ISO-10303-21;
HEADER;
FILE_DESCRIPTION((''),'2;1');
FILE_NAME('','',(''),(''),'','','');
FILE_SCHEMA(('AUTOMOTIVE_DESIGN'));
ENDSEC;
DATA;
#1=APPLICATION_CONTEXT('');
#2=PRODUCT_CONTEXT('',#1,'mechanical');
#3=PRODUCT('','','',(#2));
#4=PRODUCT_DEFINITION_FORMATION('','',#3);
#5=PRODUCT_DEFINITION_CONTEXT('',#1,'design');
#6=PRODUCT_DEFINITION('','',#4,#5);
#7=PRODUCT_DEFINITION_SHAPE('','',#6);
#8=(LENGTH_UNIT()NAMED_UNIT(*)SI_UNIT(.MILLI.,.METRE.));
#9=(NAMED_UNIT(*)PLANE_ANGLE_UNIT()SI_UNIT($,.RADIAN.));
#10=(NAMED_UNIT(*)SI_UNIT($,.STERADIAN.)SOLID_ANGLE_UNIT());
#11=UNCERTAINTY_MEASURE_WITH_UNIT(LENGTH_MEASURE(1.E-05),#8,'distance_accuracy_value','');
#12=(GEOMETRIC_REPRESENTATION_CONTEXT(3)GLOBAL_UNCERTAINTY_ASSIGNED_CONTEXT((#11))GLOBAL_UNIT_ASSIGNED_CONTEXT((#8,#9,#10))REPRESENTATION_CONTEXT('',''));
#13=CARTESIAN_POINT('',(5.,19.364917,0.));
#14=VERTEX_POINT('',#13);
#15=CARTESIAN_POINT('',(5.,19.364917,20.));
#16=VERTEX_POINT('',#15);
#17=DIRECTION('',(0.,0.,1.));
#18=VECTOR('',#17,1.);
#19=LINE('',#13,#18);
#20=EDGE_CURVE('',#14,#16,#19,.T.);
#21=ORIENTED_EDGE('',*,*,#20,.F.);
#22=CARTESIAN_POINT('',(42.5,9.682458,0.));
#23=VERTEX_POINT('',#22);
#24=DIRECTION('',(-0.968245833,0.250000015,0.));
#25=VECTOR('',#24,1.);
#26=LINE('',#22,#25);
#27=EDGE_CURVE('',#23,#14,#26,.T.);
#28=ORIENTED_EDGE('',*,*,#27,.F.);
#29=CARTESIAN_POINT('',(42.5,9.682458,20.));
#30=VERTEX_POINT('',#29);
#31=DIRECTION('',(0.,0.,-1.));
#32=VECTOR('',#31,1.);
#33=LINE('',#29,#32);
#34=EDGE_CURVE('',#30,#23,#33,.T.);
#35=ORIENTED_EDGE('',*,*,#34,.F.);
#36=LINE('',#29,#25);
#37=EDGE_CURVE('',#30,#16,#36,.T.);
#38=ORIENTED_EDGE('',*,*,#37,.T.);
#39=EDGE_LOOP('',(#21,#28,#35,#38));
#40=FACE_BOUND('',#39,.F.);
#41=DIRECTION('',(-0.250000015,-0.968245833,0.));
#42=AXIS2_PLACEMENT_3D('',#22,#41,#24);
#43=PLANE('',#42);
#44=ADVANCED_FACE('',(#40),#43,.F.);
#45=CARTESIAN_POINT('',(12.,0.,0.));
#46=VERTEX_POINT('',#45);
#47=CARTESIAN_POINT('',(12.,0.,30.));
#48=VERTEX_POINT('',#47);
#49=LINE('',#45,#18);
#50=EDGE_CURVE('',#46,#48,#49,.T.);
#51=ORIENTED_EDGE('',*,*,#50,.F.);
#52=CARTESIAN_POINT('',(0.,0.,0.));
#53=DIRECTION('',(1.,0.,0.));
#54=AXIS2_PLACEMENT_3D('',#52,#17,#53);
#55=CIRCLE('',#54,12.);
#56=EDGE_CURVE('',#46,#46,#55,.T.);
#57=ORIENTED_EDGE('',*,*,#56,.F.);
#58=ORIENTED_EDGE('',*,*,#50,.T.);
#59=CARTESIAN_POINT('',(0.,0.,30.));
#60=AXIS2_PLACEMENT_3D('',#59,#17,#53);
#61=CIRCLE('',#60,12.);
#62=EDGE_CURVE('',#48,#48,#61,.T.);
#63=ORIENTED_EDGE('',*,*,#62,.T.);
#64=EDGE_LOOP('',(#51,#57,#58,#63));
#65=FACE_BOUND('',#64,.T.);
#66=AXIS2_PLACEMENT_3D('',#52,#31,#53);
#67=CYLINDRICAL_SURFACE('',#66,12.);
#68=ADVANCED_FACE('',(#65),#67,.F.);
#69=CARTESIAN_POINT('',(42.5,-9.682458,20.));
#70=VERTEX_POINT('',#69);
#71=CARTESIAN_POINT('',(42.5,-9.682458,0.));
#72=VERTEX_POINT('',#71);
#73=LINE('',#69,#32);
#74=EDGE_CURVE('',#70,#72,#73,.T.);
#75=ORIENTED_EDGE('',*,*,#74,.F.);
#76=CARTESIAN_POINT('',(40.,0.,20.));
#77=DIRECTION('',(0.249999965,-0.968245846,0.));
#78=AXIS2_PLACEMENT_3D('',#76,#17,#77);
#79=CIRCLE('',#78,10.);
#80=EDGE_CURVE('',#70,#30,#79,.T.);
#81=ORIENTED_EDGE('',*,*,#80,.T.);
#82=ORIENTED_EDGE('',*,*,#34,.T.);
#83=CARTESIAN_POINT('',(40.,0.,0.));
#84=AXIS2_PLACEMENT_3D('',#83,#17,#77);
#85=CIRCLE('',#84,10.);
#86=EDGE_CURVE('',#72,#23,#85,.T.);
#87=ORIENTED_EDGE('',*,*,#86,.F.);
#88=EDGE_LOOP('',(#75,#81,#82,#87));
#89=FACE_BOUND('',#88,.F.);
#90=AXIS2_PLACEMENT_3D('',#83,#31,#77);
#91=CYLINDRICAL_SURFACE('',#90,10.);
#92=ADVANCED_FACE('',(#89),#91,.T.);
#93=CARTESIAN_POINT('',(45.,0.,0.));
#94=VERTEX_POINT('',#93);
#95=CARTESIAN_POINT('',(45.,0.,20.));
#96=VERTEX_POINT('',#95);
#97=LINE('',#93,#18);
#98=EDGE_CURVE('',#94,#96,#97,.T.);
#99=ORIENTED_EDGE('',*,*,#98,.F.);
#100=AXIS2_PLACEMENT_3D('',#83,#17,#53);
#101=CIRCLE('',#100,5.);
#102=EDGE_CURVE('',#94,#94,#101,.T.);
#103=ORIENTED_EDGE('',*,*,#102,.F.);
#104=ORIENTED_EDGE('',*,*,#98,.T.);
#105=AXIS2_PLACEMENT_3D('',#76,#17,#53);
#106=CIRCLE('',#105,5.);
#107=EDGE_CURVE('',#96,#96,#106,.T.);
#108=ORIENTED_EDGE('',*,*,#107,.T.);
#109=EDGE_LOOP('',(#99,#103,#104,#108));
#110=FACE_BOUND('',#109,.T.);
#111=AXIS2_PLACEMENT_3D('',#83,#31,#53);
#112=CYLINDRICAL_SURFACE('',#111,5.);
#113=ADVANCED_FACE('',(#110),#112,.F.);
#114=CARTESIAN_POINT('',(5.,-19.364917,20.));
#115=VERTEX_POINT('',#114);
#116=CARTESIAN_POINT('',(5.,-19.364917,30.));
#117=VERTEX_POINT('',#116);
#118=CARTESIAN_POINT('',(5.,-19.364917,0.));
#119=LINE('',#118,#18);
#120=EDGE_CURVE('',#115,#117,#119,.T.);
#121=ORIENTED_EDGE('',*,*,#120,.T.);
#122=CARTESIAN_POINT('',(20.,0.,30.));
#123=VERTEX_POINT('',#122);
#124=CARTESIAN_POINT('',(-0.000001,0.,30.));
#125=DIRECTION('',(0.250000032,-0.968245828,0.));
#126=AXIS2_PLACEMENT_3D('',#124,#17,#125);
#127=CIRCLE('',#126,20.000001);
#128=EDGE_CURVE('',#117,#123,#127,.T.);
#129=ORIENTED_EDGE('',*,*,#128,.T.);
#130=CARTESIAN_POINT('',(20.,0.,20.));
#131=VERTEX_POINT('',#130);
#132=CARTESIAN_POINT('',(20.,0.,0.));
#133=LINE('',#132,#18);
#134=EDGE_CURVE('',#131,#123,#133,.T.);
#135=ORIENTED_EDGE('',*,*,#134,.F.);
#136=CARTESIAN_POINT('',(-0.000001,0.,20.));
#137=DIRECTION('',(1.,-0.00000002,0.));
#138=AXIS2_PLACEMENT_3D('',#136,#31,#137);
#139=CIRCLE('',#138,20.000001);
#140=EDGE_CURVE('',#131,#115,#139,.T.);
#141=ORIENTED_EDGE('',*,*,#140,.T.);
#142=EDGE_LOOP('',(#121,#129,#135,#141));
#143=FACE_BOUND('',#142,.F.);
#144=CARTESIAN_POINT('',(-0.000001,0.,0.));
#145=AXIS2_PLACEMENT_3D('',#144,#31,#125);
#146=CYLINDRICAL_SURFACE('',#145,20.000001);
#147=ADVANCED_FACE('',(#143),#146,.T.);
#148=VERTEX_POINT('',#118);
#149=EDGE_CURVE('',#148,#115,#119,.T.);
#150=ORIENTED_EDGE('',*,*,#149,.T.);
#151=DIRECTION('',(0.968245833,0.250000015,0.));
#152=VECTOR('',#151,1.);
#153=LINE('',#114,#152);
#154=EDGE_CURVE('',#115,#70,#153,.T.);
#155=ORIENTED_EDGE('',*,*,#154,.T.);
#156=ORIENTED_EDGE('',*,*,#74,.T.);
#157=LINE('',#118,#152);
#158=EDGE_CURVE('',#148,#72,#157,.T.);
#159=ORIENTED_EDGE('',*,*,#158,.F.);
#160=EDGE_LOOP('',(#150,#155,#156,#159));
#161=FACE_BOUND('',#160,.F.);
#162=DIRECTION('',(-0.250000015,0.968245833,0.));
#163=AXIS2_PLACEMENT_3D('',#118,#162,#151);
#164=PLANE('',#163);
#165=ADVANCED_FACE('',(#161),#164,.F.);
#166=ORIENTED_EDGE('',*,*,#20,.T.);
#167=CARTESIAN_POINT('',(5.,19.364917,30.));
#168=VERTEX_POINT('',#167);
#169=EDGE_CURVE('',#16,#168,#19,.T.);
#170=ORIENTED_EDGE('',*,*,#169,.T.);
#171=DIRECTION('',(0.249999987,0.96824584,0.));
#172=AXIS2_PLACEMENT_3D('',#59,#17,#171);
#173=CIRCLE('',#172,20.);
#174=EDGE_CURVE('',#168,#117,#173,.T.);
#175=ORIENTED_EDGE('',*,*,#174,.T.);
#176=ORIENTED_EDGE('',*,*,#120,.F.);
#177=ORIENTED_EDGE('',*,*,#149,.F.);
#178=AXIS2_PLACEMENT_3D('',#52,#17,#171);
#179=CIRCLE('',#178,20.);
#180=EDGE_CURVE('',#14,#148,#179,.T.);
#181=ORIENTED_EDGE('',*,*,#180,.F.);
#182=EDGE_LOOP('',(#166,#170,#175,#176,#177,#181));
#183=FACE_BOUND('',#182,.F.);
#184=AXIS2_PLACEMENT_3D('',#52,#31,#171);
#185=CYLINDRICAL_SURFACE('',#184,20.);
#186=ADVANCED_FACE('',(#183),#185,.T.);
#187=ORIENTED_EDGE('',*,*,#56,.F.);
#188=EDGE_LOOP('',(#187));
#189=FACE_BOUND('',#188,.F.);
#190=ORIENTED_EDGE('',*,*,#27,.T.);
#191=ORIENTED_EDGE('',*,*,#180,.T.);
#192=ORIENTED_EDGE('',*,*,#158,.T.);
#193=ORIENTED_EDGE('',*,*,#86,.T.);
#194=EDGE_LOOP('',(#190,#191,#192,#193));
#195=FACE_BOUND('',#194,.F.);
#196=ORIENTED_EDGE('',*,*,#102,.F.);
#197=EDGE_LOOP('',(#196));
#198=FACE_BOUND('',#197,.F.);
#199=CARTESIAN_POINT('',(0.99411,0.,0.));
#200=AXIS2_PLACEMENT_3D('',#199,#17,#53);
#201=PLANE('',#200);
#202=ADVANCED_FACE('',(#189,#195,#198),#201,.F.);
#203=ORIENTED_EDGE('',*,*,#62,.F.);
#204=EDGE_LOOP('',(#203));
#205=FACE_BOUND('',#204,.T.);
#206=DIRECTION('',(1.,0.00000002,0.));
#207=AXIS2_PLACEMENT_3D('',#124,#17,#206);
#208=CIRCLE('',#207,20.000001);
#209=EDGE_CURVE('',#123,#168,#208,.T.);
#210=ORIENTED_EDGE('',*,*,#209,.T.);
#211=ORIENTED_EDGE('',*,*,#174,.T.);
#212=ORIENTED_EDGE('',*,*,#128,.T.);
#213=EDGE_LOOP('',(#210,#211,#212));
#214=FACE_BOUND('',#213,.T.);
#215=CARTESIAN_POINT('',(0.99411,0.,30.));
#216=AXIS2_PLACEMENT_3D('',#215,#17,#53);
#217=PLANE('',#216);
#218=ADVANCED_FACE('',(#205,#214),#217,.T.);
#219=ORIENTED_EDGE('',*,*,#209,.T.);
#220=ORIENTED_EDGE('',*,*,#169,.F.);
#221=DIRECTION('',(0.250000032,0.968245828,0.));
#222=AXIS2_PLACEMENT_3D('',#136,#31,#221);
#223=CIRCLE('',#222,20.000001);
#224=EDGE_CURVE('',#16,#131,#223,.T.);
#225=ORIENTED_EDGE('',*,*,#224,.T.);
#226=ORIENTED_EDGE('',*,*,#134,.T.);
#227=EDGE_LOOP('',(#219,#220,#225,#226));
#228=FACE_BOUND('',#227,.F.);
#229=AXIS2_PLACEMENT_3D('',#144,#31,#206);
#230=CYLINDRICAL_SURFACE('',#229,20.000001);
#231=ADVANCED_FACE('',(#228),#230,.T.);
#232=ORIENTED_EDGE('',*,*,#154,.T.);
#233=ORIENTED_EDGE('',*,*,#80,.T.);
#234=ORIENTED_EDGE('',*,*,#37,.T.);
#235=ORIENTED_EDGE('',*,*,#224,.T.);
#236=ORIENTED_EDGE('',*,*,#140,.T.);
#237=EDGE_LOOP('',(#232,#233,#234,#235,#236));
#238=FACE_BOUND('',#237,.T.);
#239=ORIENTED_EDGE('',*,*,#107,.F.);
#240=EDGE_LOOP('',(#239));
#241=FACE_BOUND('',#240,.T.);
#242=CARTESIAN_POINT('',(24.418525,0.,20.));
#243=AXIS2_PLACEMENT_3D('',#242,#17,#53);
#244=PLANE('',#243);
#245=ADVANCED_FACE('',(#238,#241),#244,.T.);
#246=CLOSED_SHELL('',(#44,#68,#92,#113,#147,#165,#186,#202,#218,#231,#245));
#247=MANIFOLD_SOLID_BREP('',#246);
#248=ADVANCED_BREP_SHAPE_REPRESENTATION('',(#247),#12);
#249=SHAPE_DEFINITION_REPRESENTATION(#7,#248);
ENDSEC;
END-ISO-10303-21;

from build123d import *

# Parameters (mm, degrees)
F0_R     = 5
F1_DEPTH = 15
F0_R_2   = 12
F2_DEPTH = 30
F3_DEPTH = 20


with BuildPart() as f1:
    # F0 (on Top) → F1 (new body)
    with BuildSketch(Plane.XY):
        with BuildLine():
            ThreePointArc((5, 19.364917), (15.811388, 12.247449), (20, 0))
            ThreePointArc((20, 0), (15.811388, -12.247449), (5, -19.364917))
            Line((5, -19.364917), (42.5, -9.682458))
            ThreePointArc((42.5, -9.682458), (50, 0), (42.5, 9.682458))
            Line((42.5, 9.682458), (5, 19.364917))
        make_face()
        with Locations((40, 0)):
            Circle(F0_R, mode=Mode.SUBTRACT)
    extrude(amount=F1_DEPTH)

    # F0 (on Top) → F2 (join)
    with BuildSketch(Plane.XY):
        with BuildLine():
            ThreePointArc((5, -19.364917), (15.811388, -12.247449), (20, 0))
            ThreePointArc((20, 0), (15.811388, 12.247449), (5, 19.364917))
            ThreePointArc((5, 19.364917), (-20, 0), (5, -19.364917))
        make_face()
        Circle(F0_R_2, mode=Mode.SUBTRACT)
    extrude(amount=F2_DEPTH)

    # F0 (on Top) → F3 (join)
    with BuildSketch(Plane.XY):
        with BuildLine():
            ThreePointArc((5, 19.364917), (15.811388, 12.247449), (20, 0))
            ThreePointArc((20, 0), (15.811388, -12.247449), (5, -19.364917))
            Line((5, -19.364917), (42.5, -9.682458))
            ThreePointArc((42.5, -9.682458), (50, 0), (42.5, 9.682458))
            Line((42.5, 9.682458), (5, 19.364917))
        make_face()
        with Locations((40, 0)):
            Circle(F0_R, mode=Mode.SUBTRACT)
    extrude(amount=F3_DEPTH)


solid = f1.part
